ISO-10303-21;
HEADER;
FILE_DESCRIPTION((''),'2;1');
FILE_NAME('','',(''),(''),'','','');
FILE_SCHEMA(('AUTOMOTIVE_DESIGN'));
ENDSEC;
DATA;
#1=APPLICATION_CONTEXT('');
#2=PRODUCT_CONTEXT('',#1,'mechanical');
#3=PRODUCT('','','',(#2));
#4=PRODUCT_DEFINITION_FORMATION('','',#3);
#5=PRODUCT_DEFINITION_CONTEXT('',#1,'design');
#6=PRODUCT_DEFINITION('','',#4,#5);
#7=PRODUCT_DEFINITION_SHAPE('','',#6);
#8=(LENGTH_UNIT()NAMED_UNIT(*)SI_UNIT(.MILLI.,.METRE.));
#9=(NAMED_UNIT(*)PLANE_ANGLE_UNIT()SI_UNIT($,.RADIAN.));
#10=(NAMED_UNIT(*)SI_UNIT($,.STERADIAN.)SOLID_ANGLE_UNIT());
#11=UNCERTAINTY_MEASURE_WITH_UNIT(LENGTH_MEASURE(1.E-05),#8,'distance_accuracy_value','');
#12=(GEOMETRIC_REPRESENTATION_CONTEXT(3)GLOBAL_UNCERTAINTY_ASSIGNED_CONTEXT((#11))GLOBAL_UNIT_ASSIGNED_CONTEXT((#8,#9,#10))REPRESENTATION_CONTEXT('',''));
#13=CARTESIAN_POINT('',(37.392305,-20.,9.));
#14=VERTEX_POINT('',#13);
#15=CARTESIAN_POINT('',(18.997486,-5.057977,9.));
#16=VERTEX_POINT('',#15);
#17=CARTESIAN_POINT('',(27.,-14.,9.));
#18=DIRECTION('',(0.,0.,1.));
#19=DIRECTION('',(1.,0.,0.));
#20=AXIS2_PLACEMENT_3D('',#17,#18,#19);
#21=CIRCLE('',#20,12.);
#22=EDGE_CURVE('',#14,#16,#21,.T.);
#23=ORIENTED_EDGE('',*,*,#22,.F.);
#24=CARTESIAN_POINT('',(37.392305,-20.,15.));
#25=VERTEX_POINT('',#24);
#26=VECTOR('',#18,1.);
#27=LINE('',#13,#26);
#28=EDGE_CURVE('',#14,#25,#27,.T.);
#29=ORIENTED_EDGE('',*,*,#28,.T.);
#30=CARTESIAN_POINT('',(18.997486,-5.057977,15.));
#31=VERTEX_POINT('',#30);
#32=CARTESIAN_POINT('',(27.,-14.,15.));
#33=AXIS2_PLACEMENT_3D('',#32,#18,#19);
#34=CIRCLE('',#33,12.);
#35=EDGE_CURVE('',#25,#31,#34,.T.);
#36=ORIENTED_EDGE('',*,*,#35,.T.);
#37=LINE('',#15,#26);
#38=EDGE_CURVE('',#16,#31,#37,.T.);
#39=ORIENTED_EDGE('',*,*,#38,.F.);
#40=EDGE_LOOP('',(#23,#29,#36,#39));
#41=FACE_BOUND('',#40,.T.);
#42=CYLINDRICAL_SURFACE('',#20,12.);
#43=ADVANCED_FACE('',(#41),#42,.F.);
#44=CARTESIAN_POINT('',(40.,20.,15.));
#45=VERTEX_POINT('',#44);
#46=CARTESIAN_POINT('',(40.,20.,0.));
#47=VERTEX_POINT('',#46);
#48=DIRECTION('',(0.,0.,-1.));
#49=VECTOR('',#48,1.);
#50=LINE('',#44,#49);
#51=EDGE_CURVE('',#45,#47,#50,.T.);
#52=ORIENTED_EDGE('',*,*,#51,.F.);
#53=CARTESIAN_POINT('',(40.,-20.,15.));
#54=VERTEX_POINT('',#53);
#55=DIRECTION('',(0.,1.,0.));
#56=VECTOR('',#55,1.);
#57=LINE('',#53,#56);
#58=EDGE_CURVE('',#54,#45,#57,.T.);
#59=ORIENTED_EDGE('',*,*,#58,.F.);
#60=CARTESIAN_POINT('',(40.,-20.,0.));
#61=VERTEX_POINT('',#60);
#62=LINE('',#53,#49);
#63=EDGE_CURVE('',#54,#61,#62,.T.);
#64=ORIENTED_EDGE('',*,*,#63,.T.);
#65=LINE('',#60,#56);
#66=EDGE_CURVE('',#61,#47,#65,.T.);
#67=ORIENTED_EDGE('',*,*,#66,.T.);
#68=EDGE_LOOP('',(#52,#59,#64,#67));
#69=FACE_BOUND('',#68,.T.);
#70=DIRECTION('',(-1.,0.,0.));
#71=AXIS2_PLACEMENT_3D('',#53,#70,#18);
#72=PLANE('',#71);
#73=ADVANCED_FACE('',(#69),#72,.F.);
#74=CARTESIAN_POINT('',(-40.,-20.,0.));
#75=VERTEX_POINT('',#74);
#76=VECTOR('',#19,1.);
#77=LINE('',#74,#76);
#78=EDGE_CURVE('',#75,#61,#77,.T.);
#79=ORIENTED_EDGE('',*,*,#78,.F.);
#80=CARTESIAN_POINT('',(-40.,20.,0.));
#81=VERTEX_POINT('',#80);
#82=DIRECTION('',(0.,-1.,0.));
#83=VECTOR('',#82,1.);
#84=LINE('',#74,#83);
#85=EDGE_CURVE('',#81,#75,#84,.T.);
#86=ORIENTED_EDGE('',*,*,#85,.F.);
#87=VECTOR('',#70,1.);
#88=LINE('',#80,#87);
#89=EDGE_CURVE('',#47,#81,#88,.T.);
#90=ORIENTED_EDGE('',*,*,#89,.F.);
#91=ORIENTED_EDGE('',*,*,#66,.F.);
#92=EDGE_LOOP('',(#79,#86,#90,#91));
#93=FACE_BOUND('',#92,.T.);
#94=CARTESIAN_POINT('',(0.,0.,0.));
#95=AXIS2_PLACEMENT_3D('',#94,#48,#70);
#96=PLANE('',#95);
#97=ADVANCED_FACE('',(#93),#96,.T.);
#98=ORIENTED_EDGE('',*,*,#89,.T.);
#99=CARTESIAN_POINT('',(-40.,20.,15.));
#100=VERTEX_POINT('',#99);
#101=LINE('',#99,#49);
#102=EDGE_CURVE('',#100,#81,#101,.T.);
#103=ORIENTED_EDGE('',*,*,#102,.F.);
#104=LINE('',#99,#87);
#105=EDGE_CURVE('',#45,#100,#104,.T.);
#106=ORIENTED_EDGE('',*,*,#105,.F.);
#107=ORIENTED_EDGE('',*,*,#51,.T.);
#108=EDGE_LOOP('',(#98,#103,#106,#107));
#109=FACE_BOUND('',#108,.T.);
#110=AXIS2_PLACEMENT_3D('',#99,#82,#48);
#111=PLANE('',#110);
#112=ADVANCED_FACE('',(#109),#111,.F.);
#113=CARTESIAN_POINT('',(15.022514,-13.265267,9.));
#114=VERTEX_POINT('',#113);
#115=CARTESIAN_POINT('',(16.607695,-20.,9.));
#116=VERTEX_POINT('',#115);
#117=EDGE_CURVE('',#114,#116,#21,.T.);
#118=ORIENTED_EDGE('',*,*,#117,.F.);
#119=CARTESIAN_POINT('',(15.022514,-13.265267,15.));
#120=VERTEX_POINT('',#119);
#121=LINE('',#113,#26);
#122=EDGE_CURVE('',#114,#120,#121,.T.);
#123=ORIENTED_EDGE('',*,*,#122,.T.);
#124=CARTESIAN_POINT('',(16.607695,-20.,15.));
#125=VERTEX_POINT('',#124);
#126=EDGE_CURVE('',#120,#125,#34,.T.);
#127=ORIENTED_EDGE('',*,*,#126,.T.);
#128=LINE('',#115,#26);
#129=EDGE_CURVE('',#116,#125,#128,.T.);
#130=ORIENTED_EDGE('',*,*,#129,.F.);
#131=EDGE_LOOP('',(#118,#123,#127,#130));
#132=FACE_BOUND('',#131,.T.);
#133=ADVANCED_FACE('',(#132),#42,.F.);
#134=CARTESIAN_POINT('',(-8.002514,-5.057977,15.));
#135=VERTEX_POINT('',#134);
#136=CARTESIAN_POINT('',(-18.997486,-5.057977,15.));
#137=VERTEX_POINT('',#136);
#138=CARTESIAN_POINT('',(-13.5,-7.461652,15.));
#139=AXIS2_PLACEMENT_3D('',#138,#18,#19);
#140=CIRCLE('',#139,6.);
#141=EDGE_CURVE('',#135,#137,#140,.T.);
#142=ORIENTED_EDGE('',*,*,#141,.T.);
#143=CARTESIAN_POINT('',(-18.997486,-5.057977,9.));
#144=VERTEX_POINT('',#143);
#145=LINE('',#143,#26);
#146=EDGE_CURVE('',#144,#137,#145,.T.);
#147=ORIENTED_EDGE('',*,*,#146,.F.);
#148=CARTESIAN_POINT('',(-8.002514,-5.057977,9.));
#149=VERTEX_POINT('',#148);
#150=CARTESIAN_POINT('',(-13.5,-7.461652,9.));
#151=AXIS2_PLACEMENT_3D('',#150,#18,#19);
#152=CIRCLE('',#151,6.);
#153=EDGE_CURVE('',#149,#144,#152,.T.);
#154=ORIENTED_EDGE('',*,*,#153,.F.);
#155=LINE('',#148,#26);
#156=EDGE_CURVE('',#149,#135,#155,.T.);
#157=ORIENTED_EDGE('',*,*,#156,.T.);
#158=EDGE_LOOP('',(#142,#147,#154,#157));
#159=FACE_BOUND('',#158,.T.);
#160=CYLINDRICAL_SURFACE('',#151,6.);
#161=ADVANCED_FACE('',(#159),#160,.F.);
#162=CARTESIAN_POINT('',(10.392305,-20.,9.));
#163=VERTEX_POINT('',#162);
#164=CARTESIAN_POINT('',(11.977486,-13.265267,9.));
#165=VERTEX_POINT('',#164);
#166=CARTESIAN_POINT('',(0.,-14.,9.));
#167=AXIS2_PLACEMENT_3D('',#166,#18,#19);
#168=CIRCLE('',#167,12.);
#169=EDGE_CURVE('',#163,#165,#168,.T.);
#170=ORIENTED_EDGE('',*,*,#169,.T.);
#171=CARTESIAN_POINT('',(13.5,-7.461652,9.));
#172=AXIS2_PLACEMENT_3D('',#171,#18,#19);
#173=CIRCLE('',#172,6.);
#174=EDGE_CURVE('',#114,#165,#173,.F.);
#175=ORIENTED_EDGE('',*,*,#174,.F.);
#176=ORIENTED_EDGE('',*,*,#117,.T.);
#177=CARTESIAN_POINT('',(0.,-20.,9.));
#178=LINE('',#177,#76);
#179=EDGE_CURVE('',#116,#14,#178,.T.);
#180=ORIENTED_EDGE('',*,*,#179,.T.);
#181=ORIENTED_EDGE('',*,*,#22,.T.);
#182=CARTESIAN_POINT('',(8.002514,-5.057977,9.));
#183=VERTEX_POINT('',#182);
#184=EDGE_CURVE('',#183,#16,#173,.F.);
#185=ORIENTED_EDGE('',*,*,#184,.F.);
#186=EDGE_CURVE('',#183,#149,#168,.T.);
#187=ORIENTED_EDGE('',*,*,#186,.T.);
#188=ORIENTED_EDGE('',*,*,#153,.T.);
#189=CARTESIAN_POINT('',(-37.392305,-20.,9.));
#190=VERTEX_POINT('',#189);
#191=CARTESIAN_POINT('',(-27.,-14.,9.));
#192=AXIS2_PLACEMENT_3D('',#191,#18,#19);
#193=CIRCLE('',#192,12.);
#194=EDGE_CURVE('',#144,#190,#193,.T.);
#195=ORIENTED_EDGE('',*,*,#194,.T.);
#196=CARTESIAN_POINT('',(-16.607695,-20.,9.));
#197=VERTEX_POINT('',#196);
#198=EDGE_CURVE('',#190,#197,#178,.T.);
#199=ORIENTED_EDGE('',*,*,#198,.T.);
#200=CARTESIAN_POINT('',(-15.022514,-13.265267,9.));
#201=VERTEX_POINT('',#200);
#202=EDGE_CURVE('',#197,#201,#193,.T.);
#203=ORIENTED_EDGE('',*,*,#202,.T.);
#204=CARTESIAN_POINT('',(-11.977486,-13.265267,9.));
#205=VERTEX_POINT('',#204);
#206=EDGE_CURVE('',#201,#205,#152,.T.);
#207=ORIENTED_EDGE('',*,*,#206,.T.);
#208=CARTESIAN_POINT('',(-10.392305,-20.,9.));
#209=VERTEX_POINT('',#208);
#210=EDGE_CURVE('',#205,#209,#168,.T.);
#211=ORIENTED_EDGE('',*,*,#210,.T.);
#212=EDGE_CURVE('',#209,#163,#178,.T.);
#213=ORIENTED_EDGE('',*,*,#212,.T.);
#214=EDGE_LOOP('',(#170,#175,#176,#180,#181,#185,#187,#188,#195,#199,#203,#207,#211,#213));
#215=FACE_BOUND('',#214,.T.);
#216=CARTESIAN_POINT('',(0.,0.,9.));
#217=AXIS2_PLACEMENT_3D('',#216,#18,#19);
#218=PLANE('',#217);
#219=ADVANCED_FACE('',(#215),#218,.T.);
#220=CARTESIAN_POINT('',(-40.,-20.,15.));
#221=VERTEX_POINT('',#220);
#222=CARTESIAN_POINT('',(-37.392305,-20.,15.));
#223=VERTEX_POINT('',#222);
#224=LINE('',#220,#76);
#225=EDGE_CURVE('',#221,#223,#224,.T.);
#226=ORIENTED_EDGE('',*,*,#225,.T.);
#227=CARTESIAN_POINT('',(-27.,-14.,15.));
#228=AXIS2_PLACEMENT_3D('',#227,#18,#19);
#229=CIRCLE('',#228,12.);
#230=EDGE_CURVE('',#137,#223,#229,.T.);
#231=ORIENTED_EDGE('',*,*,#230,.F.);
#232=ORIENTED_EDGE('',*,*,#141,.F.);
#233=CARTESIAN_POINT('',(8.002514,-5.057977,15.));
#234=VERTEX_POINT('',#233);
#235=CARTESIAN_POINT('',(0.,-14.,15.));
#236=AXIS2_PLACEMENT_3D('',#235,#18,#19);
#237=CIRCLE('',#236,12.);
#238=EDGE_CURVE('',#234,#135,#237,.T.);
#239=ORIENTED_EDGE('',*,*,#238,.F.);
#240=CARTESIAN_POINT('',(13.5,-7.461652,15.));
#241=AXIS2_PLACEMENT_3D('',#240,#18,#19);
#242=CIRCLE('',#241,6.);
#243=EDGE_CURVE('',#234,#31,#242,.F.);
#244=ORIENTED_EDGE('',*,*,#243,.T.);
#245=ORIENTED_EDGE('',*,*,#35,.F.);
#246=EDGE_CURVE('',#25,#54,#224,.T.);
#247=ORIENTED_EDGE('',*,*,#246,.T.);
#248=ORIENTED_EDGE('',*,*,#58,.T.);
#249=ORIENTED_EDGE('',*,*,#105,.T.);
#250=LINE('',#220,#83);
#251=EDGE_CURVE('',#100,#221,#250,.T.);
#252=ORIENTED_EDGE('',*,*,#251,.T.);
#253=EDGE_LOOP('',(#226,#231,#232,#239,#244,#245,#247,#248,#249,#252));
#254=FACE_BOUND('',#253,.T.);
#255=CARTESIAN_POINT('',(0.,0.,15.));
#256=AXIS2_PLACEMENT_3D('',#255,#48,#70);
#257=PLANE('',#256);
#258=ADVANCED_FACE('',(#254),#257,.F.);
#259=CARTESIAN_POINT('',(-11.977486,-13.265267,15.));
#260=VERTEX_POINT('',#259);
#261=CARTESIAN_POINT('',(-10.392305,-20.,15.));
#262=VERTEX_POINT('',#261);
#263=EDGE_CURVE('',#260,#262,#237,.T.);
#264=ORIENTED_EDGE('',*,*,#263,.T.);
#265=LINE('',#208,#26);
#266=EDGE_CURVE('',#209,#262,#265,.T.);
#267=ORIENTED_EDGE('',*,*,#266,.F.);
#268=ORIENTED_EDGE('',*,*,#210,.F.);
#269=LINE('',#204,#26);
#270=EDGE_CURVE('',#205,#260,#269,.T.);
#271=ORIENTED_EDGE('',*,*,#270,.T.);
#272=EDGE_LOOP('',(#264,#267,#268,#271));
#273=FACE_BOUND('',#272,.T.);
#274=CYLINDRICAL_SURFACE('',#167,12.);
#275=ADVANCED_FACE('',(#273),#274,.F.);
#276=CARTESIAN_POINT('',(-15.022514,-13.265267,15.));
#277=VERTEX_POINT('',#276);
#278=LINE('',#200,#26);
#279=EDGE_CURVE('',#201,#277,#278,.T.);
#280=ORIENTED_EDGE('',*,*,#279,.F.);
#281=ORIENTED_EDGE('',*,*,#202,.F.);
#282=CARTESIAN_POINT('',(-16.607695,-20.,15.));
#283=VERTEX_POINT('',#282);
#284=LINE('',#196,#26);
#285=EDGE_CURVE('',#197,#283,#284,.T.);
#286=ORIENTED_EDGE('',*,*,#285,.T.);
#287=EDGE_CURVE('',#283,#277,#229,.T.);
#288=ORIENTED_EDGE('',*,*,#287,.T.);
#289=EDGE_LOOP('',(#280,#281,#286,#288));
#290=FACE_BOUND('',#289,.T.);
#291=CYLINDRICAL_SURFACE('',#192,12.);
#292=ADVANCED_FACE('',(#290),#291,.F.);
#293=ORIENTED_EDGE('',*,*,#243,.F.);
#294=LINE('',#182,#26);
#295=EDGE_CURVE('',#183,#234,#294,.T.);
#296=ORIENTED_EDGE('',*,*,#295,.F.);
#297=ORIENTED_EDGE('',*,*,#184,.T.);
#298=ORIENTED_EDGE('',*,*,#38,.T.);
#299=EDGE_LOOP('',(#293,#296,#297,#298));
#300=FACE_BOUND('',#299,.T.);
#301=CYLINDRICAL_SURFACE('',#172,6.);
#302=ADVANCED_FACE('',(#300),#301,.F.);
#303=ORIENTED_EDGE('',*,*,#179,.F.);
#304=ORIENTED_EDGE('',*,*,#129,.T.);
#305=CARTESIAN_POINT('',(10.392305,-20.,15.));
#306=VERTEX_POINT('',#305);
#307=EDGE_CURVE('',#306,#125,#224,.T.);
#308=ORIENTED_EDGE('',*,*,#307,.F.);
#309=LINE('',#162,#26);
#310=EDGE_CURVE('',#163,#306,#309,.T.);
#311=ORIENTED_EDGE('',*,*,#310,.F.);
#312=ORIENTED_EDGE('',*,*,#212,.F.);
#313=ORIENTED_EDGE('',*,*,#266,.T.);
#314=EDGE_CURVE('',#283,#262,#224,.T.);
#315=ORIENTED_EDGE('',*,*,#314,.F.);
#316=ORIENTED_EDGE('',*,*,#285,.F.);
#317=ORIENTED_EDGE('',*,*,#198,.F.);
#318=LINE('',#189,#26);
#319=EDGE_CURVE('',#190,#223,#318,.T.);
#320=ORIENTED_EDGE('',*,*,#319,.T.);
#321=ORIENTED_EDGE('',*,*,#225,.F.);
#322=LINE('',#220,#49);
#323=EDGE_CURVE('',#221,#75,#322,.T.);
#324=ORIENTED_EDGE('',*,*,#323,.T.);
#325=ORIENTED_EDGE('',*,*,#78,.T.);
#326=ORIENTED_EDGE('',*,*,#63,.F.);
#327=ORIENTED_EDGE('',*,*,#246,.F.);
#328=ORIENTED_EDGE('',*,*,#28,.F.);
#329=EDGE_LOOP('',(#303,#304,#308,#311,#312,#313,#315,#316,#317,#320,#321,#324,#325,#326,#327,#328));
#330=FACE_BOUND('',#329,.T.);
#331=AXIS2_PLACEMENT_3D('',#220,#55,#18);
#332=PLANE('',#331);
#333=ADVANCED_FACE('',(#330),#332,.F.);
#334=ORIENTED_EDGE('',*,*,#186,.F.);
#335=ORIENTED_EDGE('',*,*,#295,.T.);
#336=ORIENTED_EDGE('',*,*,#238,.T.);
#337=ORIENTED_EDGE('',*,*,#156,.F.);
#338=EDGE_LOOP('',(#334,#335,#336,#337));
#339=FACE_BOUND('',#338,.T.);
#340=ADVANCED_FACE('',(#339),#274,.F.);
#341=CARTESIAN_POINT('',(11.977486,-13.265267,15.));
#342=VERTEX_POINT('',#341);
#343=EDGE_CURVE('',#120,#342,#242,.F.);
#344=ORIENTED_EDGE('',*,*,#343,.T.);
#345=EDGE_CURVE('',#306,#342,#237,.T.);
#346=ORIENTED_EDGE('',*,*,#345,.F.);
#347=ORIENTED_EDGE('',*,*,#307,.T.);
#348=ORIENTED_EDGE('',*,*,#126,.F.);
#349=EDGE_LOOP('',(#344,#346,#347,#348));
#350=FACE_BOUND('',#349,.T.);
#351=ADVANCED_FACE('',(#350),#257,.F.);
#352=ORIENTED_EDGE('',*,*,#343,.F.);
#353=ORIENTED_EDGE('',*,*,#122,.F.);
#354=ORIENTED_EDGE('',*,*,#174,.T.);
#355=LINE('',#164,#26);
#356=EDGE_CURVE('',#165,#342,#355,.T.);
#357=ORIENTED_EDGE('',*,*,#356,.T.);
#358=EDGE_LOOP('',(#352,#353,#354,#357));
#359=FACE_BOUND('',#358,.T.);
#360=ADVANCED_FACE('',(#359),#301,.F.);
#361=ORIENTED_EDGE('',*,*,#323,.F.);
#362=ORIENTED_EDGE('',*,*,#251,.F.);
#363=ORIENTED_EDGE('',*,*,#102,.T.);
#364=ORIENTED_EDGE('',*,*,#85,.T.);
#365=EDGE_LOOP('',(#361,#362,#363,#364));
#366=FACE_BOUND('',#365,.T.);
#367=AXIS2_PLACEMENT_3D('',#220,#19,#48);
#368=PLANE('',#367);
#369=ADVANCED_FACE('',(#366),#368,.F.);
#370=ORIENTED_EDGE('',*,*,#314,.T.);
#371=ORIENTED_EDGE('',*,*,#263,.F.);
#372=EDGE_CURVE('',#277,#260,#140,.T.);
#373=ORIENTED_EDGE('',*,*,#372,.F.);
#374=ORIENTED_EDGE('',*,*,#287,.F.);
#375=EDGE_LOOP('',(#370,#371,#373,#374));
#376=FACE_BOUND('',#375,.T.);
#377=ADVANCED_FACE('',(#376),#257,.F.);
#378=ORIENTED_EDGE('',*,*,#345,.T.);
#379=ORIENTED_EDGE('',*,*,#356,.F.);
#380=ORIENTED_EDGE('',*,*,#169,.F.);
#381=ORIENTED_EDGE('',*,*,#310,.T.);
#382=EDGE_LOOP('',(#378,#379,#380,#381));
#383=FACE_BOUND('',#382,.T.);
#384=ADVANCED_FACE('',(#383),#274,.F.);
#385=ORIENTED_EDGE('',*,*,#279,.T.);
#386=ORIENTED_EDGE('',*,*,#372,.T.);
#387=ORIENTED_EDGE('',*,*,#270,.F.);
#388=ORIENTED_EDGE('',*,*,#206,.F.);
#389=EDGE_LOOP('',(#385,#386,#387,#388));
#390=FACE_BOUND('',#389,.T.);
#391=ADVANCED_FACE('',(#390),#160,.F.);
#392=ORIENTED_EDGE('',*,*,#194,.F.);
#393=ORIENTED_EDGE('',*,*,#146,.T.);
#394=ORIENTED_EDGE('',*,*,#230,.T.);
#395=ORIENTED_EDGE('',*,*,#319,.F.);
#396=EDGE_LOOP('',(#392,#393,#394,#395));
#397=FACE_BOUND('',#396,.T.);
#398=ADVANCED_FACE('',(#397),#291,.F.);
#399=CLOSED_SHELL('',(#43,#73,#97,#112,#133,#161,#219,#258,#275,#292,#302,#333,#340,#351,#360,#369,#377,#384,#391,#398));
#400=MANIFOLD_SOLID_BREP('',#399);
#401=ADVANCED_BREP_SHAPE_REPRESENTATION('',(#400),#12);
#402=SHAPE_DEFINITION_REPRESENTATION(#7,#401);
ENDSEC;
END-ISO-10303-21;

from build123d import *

# Parameters (mm, degrees)
SKETCH1_W           = 80
SKETCH1_H           = 40
BOSS_EXTRUDE1_DEPTH = 15
SKETCH2_R           = 12
SKETCH2_R_2         = 6
CUT_EXTRUDE1_DEPTH  = 6


with BuildPart() as part:
    # Sketch1 → Boss-Extrude1 (new body)
    with BuildSketch(Plane.XY):
        Rectangle(SKETCH1_W, SKETCH1_H)
    extrude(amount=BOSS_EXTRUDE1_DEPTH)

    # Sketch2 → Cut-Extrude1 (cut)
    with BuildSketch(Plane.XY.offset(15)):
        with Locations((0, -14)):
            Circle(SKETCH2_R)
        with Locations((-13.5, -7.461651585)):
            Circle(SKETCH2_R_2)
        with Locations((-27, -14)):
            Circle(SKETCH2_R)
        with BuildLine():
            Line((-37.392304845, -20), (-16.607695155, -20))
            ThreePointArc((-16.607695155, -20), (-15.408890085, -17.105828541), (-15, -14))
            ThreePointArc((-15, -14), (-15.005629858, -13.632461014), (-15.022514151, -13.265266894))
            ThreePointArc((-15.022514151, -13.265266894), (-18.9, -10.076990951), (-18.997485849, -5.057977451))
            ThreePointArc((-18.997485849, -5.057977451), (-34.565962223, -4.685698327), (-37.392304845, -20))
        make_face()
        with BuildLine():
            ThreePointArc((10.392304845, -20), (11.591109915, -17.105828541), (12, -14))
            ThreePointArc((12, -14), (11.994370142, -13.632461014), (11.977485849, -13.265266894))
            ThreePointArc((11.977485849, -13.265266894), (8.1, -10.076990951), (8.002514151, -5.057977451))
            ThreePointArc((8.002514151, -5.057977451), (0, -2), (-8.002514151, -5.057977451))
            ThreePointArc((-8.002514151, -5.057977451), (-7.626972029, -6.233831381), (-7.5, -7.461651585))
            ThreePointArc((-7.5, -7.461651585), (-8.749469245, -11.12668331), (-11.977485849, -13.265266894))
            ThreePointArc((-11.977485849, -13.265266894), (-11.680797979, -16.749356028), (-10.392304845, -20))
            Line((-10.392304845, -20), (10.392304845, -20))
        make_face()
        with BuildLine():
            ThreePointArc((19.5, -7.461651585), (18.250530755, -11.12668331), (15.022514151, -13.265266894))
            ThreePointArc((15.022514151, -13.265266894), (15.319202021, -16.749356028), (16.607695155, -20))
            Line((16.607695155, -20), (37.392304845, -20))
            ThreePointArc((37.392304845, -20), (38.591109915, -17.105828541), (39, -14))
            ThreePointArc((39, -14), (31.897439647, -3.044860343), (18.997485849, -5.057977451))
            ThreePointArc((18.997485849, -5.057977451), (19.373027971, -6.233831381), (19.5, -7.461651585))
        make_face()
        with Locations((13.5, -7.461651585)):
            Circle(SKETCH2_R_2)
        with Locations((27, -14)):
            Circle(SKETCH2_R)
    extrude(amount=-CUT_EXTRUDE1_DEPTH, mode=Mode.SUBTRACT)


solid = part.part
